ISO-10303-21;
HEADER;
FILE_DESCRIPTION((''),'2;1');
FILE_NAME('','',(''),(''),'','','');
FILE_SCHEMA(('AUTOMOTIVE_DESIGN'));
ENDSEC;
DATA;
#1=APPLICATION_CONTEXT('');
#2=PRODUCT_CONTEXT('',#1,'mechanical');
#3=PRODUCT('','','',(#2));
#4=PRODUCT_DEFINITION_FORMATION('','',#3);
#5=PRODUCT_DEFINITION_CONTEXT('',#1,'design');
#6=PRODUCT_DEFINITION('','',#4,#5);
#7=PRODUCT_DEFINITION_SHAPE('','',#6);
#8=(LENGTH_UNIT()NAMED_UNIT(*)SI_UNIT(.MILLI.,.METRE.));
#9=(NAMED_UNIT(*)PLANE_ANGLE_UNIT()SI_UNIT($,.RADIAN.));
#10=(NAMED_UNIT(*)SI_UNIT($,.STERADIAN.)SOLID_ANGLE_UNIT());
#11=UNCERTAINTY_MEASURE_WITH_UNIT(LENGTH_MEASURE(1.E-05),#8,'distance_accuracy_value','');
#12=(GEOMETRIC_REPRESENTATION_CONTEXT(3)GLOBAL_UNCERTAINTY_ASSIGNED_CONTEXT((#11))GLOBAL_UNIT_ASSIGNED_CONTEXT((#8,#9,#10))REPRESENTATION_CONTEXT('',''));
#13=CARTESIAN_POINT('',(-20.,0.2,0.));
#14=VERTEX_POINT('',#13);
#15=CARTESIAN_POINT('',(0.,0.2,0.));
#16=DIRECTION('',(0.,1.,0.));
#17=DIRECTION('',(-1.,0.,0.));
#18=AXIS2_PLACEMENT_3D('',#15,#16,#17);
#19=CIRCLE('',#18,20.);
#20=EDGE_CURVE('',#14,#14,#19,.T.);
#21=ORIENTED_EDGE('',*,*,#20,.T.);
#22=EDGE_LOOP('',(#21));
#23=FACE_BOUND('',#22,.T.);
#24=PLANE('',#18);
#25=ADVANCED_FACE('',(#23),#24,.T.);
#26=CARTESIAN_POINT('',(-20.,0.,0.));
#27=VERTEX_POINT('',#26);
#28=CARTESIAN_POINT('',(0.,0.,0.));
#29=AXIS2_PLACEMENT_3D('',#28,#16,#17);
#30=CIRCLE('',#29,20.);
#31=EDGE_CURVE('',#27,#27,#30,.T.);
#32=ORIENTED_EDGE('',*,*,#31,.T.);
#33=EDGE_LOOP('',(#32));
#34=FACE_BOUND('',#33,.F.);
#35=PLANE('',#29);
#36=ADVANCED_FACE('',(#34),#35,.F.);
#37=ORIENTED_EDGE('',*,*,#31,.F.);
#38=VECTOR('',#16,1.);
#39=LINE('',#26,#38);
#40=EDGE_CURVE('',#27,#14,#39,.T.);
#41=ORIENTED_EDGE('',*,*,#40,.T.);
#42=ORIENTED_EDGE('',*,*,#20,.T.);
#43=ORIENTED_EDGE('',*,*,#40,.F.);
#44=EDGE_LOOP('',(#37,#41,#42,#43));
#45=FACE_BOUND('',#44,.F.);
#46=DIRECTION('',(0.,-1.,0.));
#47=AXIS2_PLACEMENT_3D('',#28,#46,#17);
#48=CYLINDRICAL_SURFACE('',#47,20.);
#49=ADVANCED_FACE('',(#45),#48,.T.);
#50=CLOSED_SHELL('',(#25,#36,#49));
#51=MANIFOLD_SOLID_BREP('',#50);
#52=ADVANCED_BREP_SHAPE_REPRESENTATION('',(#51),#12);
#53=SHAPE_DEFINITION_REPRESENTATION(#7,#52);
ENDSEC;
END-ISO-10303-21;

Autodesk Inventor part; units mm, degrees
ref_plane "YZ Plane" through (0, 0, 0) normal (1, 0, 0) x (0, 1, 0)
ref_plane "XZ Plane" through (0, 0, 0) normal (0, 1, 0) x (-1, 0, 0)
ref_plane "XY Plane" through (0, 0, 0) normal (0, 0, 1) x (1, 0, 0)
sketch "Эскиз1" plane through (0, 0, 0) normal (0, 1, 0) x (-1, 0, 0)
  circle A0 centre (0, 0) radius 20
  dimension "d0" = 40
extrude "Выдавливание1" add sketch "Эскиз1" along normal blind 0.2
properties part number "40_Green"
